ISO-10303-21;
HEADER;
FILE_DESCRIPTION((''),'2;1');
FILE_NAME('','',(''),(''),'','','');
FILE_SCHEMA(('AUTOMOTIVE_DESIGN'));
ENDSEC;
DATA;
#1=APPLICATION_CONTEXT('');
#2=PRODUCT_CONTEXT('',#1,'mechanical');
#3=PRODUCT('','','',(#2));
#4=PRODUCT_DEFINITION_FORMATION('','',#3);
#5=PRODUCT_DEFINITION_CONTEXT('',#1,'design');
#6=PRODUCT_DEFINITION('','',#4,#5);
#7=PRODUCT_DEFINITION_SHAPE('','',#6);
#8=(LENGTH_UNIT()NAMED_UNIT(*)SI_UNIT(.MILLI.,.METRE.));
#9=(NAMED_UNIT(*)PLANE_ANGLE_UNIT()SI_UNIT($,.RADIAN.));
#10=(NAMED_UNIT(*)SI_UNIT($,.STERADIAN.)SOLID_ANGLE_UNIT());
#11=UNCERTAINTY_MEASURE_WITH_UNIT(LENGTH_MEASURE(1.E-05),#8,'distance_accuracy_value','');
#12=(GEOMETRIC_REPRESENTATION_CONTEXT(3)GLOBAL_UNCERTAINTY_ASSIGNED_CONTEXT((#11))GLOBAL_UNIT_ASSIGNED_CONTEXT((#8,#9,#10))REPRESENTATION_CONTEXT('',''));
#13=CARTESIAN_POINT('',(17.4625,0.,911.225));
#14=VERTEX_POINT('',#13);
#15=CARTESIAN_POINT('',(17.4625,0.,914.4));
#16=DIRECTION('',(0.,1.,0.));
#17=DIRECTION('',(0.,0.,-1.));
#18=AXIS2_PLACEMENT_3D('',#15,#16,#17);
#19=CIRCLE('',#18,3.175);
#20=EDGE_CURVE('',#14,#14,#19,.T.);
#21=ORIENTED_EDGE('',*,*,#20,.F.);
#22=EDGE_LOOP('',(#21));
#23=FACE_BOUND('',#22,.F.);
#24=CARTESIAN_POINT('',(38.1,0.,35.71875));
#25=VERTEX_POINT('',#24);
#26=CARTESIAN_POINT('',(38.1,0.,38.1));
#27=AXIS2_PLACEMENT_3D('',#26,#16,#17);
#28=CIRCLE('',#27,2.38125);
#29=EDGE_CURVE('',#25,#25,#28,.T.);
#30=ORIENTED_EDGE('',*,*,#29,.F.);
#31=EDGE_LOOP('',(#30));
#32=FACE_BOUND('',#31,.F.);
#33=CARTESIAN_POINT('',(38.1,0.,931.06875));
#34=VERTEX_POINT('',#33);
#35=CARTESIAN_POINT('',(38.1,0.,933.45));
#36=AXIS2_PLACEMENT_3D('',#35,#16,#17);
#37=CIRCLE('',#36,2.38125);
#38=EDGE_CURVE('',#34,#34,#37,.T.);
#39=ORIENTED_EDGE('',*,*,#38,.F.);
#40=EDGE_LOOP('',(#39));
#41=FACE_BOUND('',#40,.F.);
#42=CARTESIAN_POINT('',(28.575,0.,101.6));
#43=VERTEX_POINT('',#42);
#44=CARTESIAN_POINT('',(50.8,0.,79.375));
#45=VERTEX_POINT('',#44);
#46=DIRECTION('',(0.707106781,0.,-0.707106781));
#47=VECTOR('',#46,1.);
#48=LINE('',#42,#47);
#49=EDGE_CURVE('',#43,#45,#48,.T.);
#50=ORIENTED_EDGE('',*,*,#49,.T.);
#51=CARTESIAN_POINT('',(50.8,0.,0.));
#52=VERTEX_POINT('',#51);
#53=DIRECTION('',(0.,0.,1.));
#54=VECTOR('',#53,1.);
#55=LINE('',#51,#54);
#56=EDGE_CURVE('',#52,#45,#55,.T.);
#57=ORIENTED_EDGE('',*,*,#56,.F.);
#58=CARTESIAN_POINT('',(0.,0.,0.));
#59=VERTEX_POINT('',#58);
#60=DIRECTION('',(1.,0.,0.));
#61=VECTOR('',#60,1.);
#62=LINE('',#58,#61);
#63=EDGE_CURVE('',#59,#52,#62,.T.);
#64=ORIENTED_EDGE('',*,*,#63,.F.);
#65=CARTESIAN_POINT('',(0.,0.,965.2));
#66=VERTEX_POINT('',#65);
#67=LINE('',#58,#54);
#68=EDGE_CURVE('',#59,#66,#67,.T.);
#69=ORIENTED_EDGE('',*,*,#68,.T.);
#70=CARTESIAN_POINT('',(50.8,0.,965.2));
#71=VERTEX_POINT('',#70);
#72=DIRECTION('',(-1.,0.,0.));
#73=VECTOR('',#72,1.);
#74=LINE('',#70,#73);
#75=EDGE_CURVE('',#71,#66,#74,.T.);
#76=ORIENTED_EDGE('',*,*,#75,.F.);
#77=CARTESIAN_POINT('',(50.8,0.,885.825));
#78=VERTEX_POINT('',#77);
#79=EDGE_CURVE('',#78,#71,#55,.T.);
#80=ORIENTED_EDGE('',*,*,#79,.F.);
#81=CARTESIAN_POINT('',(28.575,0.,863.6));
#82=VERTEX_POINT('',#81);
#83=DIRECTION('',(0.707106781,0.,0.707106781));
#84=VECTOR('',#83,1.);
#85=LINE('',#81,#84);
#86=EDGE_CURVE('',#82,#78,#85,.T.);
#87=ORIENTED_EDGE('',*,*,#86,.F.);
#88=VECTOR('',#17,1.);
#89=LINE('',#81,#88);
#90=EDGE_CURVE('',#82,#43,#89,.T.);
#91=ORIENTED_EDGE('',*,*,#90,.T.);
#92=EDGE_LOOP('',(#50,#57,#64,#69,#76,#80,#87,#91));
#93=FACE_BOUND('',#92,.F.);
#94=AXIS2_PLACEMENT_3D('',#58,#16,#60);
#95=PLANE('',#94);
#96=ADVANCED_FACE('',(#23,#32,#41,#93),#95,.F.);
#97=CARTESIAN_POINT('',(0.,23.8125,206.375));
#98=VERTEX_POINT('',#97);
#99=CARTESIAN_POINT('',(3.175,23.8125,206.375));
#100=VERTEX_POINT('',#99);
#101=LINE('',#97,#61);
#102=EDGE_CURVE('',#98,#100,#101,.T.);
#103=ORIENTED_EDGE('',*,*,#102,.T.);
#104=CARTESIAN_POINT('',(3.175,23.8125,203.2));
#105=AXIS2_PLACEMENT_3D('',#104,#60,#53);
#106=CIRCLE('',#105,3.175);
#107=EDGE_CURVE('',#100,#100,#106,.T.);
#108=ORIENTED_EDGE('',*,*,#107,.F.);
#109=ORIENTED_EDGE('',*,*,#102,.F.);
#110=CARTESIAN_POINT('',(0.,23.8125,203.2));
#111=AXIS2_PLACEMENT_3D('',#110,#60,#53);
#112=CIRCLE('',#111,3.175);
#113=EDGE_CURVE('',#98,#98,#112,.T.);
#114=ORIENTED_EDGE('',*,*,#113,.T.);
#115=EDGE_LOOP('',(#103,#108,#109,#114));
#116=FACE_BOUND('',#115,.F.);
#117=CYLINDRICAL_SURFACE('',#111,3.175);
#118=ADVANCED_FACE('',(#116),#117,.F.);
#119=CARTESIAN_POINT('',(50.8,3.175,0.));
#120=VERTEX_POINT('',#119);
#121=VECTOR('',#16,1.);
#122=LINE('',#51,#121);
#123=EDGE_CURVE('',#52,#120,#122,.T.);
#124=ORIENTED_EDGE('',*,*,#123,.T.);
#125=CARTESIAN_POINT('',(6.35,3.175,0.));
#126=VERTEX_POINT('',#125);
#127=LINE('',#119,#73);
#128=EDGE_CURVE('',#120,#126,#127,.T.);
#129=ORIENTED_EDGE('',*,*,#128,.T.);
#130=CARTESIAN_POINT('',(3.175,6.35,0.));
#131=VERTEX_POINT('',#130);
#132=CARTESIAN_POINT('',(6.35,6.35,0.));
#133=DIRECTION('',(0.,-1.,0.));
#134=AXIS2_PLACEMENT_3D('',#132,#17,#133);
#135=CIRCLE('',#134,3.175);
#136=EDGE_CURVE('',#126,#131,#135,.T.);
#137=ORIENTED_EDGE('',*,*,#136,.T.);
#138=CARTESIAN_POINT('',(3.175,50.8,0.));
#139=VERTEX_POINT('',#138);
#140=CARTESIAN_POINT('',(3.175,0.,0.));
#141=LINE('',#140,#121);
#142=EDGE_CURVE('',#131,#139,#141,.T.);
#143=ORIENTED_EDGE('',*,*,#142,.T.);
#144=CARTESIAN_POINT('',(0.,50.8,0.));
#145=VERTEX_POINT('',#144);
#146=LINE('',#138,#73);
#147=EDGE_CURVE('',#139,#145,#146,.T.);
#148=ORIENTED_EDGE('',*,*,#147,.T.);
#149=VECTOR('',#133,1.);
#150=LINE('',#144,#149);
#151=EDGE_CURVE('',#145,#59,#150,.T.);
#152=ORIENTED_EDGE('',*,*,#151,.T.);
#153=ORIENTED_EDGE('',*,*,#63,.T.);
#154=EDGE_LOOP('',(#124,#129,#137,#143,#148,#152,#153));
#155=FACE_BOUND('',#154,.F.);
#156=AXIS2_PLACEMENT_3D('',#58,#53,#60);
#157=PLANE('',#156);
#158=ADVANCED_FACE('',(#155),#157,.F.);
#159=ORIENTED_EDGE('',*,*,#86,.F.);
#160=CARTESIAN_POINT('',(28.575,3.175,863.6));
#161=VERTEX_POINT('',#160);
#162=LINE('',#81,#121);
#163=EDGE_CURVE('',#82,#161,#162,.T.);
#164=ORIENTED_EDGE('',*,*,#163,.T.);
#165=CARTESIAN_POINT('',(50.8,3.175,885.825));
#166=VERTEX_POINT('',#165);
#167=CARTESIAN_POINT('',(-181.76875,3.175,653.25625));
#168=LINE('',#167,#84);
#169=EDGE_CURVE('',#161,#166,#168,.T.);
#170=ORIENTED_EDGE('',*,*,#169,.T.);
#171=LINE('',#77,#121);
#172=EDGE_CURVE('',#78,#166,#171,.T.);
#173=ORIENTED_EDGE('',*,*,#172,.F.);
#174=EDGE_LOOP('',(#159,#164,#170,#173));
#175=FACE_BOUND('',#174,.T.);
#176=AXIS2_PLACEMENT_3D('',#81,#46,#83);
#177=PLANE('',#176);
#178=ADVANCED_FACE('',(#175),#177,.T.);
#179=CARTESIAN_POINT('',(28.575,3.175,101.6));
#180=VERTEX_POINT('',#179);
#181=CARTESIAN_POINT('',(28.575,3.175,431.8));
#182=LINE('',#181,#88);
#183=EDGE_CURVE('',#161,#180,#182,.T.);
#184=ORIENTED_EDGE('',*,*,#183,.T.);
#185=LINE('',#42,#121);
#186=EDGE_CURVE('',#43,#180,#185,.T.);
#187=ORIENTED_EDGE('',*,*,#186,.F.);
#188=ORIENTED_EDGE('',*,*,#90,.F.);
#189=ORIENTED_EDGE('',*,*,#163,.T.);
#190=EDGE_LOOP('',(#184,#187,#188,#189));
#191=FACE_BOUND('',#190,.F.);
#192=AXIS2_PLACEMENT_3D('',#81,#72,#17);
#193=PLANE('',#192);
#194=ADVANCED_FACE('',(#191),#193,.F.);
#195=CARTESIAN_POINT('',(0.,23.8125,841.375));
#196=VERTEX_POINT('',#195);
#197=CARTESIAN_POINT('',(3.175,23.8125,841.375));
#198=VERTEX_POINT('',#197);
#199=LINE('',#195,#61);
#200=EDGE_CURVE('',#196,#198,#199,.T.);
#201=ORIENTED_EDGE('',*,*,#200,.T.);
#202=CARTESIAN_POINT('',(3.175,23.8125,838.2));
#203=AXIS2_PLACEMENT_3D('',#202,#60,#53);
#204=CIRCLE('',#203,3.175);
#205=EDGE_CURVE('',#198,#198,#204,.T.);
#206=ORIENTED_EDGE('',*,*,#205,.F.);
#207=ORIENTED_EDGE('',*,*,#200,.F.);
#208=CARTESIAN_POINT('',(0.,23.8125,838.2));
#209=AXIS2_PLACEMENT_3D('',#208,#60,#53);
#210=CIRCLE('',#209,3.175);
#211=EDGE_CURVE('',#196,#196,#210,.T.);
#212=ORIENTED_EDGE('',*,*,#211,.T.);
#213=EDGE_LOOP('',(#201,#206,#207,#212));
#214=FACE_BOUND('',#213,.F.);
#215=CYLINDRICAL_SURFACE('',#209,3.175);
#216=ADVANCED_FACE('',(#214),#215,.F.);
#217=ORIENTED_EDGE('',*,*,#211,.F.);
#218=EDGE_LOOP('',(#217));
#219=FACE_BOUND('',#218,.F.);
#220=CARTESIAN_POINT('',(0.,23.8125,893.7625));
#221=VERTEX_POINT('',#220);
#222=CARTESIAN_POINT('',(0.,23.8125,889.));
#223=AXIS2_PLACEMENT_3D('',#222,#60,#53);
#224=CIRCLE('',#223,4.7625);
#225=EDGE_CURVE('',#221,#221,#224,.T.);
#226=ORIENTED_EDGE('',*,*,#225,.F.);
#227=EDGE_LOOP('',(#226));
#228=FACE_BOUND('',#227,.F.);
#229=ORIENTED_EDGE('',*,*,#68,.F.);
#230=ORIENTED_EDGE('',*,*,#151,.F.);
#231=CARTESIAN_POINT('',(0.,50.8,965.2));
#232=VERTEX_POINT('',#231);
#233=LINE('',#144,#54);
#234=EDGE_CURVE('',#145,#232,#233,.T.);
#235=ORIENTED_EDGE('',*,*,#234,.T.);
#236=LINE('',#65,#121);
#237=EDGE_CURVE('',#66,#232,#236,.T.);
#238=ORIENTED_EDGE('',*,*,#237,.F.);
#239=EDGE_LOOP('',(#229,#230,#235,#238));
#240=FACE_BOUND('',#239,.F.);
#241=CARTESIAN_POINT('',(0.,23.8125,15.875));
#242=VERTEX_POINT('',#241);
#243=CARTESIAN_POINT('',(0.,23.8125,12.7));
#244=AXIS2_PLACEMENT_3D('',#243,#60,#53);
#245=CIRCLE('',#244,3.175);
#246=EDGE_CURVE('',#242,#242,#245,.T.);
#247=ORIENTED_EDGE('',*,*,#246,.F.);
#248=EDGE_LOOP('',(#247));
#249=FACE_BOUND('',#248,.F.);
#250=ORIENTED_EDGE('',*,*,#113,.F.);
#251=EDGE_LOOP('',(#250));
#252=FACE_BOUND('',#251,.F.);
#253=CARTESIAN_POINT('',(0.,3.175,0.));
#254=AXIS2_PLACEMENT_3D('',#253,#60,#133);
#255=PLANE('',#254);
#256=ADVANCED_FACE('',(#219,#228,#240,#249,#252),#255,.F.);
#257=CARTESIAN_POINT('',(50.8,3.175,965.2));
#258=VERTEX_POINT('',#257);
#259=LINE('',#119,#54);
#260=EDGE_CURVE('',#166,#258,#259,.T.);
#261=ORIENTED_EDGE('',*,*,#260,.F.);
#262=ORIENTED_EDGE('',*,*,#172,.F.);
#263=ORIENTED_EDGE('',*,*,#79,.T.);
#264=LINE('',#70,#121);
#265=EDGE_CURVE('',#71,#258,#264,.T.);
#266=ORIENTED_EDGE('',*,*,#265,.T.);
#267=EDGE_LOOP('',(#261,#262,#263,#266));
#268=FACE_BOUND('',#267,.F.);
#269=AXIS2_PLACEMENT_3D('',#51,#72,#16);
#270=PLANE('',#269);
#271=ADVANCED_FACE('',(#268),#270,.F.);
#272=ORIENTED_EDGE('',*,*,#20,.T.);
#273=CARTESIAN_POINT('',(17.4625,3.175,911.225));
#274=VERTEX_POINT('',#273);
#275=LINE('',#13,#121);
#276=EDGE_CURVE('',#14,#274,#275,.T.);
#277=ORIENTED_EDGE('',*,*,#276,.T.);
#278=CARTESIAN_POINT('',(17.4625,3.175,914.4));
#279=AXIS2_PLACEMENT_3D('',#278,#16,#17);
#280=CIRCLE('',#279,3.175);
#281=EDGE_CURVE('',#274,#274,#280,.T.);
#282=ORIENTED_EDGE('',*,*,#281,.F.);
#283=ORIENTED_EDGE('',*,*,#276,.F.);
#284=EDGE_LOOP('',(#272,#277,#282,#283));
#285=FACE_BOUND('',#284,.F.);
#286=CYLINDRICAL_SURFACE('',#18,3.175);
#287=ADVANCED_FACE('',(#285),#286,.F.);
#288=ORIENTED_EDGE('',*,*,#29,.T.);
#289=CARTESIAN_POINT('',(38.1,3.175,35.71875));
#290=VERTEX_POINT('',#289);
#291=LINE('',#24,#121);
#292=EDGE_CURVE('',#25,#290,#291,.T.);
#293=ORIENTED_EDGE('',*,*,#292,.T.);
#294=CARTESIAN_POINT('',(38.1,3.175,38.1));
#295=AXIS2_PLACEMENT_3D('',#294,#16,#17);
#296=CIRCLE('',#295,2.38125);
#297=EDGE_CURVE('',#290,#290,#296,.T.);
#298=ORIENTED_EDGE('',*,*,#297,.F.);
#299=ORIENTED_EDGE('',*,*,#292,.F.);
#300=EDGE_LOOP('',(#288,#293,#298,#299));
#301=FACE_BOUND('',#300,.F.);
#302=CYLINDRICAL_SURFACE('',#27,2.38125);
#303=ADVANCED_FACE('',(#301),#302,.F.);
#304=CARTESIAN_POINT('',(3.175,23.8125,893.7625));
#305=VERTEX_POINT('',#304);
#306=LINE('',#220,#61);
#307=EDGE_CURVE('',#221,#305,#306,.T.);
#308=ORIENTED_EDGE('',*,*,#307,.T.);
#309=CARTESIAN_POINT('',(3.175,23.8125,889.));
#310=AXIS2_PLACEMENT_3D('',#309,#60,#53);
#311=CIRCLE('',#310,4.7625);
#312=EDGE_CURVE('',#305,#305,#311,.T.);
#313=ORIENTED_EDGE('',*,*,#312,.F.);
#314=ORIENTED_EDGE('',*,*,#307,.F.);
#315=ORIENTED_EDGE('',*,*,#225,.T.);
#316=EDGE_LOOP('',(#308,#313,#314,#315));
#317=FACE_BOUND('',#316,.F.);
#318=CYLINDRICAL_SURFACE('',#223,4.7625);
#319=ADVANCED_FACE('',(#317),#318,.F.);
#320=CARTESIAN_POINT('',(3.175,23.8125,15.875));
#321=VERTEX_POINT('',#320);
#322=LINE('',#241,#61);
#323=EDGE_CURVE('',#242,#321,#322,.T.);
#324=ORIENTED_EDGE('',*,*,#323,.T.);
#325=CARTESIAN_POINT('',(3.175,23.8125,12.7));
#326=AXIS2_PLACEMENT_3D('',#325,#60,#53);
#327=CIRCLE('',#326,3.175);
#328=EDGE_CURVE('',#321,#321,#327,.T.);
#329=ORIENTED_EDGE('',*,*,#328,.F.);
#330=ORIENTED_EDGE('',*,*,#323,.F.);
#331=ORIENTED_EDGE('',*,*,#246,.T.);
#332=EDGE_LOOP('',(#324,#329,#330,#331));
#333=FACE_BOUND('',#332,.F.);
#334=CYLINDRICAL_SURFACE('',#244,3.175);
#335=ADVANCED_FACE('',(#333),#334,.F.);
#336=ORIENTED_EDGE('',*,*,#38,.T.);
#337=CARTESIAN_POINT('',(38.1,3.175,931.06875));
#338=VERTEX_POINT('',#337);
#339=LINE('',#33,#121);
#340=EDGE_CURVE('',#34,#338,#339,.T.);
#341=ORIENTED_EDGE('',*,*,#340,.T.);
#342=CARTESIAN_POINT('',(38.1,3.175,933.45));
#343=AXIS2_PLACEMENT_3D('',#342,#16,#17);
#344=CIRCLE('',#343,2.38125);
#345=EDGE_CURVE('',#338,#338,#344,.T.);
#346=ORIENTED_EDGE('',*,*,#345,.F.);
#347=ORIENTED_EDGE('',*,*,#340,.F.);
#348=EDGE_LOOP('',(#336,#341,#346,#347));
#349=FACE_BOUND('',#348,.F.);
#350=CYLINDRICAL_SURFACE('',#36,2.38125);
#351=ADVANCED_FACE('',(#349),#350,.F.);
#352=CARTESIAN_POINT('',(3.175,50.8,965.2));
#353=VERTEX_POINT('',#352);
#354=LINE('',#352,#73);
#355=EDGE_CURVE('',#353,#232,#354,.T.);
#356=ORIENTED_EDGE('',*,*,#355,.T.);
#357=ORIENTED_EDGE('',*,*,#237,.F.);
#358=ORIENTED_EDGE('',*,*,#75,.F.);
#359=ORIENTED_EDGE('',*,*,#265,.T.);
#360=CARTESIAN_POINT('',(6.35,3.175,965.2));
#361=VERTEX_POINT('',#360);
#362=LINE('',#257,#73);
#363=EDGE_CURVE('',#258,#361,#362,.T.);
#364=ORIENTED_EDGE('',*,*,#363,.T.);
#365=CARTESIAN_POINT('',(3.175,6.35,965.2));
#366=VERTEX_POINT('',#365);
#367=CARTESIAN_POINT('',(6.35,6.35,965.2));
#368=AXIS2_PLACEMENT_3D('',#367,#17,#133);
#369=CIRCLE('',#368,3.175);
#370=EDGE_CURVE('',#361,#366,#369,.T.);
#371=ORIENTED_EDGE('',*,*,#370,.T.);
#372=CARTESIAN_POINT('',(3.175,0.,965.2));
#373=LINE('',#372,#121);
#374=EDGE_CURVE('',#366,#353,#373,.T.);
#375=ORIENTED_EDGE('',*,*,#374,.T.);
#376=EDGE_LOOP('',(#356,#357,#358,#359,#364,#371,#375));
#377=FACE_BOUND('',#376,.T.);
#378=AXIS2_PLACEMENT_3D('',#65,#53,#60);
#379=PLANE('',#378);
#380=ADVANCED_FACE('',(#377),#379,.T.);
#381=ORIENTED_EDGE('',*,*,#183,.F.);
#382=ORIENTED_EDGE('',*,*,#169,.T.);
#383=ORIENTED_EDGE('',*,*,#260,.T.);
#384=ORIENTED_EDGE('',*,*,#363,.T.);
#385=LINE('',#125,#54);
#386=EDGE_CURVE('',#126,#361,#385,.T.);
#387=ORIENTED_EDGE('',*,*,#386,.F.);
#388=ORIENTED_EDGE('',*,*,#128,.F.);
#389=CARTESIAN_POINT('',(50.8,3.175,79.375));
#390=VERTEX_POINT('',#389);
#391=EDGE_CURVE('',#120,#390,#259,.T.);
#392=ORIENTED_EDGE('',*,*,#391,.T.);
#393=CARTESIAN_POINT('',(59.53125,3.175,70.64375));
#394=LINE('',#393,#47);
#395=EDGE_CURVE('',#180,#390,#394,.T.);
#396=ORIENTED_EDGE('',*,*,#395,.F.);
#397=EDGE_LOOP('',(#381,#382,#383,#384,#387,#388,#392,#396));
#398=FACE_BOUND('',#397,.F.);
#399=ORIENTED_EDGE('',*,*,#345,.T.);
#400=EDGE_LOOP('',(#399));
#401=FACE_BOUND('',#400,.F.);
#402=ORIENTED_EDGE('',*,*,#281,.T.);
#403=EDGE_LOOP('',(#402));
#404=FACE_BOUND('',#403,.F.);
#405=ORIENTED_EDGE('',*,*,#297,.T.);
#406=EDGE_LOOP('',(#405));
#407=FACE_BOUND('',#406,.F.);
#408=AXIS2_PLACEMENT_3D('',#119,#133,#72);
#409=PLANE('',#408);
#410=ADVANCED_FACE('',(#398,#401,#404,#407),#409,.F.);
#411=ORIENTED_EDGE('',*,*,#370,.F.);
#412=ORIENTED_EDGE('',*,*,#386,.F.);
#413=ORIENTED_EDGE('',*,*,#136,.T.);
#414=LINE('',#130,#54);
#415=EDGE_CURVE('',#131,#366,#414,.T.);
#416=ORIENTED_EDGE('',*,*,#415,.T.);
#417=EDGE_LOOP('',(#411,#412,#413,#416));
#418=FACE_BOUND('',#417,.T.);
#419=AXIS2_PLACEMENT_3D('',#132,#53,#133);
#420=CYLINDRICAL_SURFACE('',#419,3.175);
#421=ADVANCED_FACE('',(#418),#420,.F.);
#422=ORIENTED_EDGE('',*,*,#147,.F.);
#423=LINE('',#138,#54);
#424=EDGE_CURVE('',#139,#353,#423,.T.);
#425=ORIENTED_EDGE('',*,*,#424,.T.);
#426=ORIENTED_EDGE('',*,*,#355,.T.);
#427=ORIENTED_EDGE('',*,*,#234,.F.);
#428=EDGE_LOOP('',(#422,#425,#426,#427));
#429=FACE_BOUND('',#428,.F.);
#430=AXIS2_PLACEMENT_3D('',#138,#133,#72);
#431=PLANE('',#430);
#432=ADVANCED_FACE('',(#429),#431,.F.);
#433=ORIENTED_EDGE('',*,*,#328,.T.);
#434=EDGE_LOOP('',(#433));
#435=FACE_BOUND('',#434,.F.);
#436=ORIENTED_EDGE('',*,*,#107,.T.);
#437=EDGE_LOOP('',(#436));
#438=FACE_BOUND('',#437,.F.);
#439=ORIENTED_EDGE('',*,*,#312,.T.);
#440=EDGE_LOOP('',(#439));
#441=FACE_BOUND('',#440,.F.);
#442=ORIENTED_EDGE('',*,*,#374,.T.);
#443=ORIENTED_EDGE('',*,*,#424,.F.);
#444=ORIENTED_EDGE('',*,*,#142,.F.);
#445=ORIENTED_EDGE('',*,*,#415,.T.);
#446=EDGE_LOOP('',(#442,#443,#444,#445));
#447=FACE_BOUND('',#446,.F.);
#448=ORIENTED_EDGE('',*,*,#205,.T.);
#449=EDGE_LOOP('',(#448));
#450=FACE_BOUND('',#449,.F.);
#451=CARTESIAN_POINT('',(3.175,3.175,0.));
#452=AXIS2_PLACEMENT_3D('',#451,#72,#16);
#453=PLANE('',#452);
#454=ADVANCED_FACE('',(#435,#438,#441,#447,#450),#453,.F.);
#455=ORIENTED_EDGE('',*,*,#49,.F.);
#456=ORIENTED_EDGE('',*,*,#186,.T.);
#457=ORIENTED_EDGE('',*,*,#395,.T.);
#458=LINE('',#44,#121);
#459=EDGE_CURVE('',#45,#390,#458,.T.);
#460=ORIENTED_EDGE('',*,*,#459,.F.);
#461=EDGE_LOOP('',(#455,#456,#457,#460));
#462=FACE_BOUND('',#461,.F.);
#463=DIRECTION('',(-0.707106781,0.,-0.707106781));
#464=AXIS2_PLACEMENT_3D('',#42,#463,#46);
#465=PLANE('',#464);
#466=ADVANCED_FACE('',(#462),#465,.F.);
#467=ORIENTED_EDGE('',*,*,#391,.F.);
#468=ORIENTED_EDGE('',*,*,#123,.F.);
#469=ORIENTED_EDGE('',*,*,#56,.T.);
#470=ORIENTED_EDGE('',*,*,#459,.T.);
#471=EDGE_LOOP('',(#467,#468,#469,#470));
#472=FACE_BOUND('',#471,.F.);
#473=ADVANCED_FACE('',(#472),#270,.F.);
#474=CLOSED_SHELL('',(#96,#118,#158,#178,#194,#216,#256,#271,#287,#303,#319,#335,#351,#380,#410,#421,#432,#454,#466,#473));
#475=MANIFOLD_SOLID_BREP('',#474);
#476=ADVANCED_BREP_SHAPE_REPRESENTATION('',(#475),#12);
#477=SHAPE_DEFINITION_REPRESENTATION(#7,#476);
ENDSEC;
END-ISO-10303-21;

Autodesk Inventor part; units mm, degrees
ref_plane "YZ Plane" through (0, 0, 0) normal (1, 0, 0) x (0, 1, 0)
ref_plane "XZ Plane" through (0, 0, 0) normal (0, 1, 0) x (-1, 0, 0)
ref_plane "XY Plane" through (0, 0, 0) normal (0, 0, 1) x (1, 0, 0)
sketch "Sketch1" plane through (0, 0, 0) normal (0, 0, 1) x (1, 0, 0)
  line L0 (0, 0) -> (3.175, 0)
  line L1 (3.175, 0) -> (3.175, 50.8)
  line L2 (3.175, 50.8) -> (0, 50.8)
  line L3 (0, 50.8) -> (0, 0)
  line L4 (0, 0) -> (50.8, 0)
  line L5 (50.8, 0) -> (50.8, 3.175)
  line L6 (50.8, 3.175) -> (0, 3.175)
  line L7 (0, 3.175) -> (0, 0)
  dimension "d0" = 3.175
  dimension "d1" = 50.8
  dimension "d2" = 50.8
  dimension "d3" = 3.175
extrude "Extrusion1" add sketch "Sketch1" along normal blind 965.2
sketch "Sketch2" plane through (0, 0, 0) normal (-1, 0, 0) x (0, 0, 1)
  line L0 (0, 50.8) -> (0, 0) projected
  line L1 (0, 0) -> (965.2, 0) projected
  point P0 (12.7, 23.8125)
  point P1 (203.2, 23.8125)
  dimension "d6" = 23.8125
  dimension "d7" = 23.8125
  dimension "d8" = 12.7
  dimension "d9" = 203.2
hole "Hole1" at (0, 23.8125, 12.7) at (0, 23.8125, 203.2) direction (1, 0, 0) diameter 6.35 end through all
sketch "Sketch3" plane through (0, 0, 0) normal (-1, 0, 0) x (0, 0, 1)
  line L0 (0, 0) -> (965.2, 0) projected
  line L1 (0, 50.8) -> (0, 0) projected
  point P0 (889, 23.8125)
  dimension "d17" = 23.8125
  dimension "d26" = 889
hole "Hole2" at (0, 23.8125, 889) direction (1, 0, 0) diameter 9.525 end through all
sketch "Sketch4" plane through (0, 0, 0) normal (0, -1, 0) x (1, 0, 0)
  line L0 (0, 965.2) -> (50.8, 965.2) projected
  line L1 (0, 0) -> (0, 965.2) projected
  point P0 (17.4625, 914.4)
  dimension "d27" = 17.4625
  dimension "d28" = 50.8
hole "Hole3" at (17.4625, 0, 914.4) direction (0, 1, 0) diameter 6.35 end through all
fillet "Fillet1" radius 3.175 1 edges at (3.175, 3.175, 482.6)
sketch "Sketch6" plane through (0, 0, 0) normal (0, -1, 0) x (1, 0, 0)
  line L0 (0, 0) -> (50.8, 0) projected
  line L1 (50.8, 0) -> (50.8, 965.2) projected
  line L2 (0, 965.2) -> (50.8, 965.2) projected
  point P0 (38.1, 933.45)
  point P1 (38.1, 38.1)
  dimension "d49" = 38.1
  dimension "d50" = 12.7
  dimension "d51" = 31.75
  dimension "d52" = 12.7
hole "Hole5" at (38.1, 0, 933.45) at (38.1, 0, 38.1) direction (0, 1, 0) diameter 4.7625 end through all
sketch "Sketch8" plane through (0, 0, 0) normal (0, -1, 0) x (1, 0, 0)
  circle A0 centre (38.1, 933.45) radius 2.3813 projected
  circle A1 centre (38.1, 38.1) radius 2.3813 projected
  circle A2 centre (17.4625, 914.4) radius 3.175 projected
  line L0 (0, 0) -> (50.8, 0) projected
  line L1 (50.8, 0) -> (50.8, 965.2) projected
  line L2 (0, 965.2) -> (50.8, 965.2) projected
  line L3 (0, 0) -> (0, 965.2) projected
  line L4 (50.8, 863.6) -> (28.575, 863.6)
  line L5 (28.575, 863.6) -> (28.575, 101.6)
  line L6 (28.575, 101.6) -> (50.8, 101.6)
  line L7 (50.8, 101.6) -> (50.8, 863.6)
  line L8 (28.575, 863.6) -> (50.8, 885.825)
  line L9 (50.8, 0) -> (50.8, 965.2) projected
  line L10 (28.575, 863.6) -> (60.0059, 863.6) construction
  line L11 (50.8, 885.825) -> (50.8, 863.6)
  line L12 (28.575, 101.6) -> (50.8, 79.375)
  line L13 (28.575, 101.6) -> (60.0059, 101.6) construction
  line L14 (50.8, 79.375) -> (50.8, 101.6)
  dimension "d60" = 22.225
  dimension "d61" = 101.6
  dimension "d62" = 101.6
  dimension "d63" = 45
  dimension "d64" = 45
extrude "Extrusion2" cut sketch "Sketch8" against normal blind 25.4 contours L12 L6 L1 | L6 L5 L4 L1 | L1 L4 L8
sketch "Sketch9" plane through (0, 0, 0) normal (-1, 0, 0) x (0, 0, 1)
  circle A0 centre (889, 23.8125) radius 4.7625 projected
  circle A1 centre (12.7, 23.8125) radius 3.175 projected
  circle A2 centre (203.2, 23.8125) radius 3.175 projected
  line L0 (0, 50.8) -> (0, 0) projected
  line L1 (0, 0) -> (965.2, 0) projected
  line L2 (965.2, 50.8) -> (965.2, 0) projected
  line L3 (0, 50.8) -> (965.2, 50.8) projected
  point P0 (838.2, 23.8125)
  dimension "d67" = 23.8125
  dimension "d68" = 127
hole "Hole6" at (0, 23.8125, 838.2) direction (1, 0, 0) diameter 6.35 end through all
properties part number "rail support 2x2 angle" material "Aluminum 6061"
